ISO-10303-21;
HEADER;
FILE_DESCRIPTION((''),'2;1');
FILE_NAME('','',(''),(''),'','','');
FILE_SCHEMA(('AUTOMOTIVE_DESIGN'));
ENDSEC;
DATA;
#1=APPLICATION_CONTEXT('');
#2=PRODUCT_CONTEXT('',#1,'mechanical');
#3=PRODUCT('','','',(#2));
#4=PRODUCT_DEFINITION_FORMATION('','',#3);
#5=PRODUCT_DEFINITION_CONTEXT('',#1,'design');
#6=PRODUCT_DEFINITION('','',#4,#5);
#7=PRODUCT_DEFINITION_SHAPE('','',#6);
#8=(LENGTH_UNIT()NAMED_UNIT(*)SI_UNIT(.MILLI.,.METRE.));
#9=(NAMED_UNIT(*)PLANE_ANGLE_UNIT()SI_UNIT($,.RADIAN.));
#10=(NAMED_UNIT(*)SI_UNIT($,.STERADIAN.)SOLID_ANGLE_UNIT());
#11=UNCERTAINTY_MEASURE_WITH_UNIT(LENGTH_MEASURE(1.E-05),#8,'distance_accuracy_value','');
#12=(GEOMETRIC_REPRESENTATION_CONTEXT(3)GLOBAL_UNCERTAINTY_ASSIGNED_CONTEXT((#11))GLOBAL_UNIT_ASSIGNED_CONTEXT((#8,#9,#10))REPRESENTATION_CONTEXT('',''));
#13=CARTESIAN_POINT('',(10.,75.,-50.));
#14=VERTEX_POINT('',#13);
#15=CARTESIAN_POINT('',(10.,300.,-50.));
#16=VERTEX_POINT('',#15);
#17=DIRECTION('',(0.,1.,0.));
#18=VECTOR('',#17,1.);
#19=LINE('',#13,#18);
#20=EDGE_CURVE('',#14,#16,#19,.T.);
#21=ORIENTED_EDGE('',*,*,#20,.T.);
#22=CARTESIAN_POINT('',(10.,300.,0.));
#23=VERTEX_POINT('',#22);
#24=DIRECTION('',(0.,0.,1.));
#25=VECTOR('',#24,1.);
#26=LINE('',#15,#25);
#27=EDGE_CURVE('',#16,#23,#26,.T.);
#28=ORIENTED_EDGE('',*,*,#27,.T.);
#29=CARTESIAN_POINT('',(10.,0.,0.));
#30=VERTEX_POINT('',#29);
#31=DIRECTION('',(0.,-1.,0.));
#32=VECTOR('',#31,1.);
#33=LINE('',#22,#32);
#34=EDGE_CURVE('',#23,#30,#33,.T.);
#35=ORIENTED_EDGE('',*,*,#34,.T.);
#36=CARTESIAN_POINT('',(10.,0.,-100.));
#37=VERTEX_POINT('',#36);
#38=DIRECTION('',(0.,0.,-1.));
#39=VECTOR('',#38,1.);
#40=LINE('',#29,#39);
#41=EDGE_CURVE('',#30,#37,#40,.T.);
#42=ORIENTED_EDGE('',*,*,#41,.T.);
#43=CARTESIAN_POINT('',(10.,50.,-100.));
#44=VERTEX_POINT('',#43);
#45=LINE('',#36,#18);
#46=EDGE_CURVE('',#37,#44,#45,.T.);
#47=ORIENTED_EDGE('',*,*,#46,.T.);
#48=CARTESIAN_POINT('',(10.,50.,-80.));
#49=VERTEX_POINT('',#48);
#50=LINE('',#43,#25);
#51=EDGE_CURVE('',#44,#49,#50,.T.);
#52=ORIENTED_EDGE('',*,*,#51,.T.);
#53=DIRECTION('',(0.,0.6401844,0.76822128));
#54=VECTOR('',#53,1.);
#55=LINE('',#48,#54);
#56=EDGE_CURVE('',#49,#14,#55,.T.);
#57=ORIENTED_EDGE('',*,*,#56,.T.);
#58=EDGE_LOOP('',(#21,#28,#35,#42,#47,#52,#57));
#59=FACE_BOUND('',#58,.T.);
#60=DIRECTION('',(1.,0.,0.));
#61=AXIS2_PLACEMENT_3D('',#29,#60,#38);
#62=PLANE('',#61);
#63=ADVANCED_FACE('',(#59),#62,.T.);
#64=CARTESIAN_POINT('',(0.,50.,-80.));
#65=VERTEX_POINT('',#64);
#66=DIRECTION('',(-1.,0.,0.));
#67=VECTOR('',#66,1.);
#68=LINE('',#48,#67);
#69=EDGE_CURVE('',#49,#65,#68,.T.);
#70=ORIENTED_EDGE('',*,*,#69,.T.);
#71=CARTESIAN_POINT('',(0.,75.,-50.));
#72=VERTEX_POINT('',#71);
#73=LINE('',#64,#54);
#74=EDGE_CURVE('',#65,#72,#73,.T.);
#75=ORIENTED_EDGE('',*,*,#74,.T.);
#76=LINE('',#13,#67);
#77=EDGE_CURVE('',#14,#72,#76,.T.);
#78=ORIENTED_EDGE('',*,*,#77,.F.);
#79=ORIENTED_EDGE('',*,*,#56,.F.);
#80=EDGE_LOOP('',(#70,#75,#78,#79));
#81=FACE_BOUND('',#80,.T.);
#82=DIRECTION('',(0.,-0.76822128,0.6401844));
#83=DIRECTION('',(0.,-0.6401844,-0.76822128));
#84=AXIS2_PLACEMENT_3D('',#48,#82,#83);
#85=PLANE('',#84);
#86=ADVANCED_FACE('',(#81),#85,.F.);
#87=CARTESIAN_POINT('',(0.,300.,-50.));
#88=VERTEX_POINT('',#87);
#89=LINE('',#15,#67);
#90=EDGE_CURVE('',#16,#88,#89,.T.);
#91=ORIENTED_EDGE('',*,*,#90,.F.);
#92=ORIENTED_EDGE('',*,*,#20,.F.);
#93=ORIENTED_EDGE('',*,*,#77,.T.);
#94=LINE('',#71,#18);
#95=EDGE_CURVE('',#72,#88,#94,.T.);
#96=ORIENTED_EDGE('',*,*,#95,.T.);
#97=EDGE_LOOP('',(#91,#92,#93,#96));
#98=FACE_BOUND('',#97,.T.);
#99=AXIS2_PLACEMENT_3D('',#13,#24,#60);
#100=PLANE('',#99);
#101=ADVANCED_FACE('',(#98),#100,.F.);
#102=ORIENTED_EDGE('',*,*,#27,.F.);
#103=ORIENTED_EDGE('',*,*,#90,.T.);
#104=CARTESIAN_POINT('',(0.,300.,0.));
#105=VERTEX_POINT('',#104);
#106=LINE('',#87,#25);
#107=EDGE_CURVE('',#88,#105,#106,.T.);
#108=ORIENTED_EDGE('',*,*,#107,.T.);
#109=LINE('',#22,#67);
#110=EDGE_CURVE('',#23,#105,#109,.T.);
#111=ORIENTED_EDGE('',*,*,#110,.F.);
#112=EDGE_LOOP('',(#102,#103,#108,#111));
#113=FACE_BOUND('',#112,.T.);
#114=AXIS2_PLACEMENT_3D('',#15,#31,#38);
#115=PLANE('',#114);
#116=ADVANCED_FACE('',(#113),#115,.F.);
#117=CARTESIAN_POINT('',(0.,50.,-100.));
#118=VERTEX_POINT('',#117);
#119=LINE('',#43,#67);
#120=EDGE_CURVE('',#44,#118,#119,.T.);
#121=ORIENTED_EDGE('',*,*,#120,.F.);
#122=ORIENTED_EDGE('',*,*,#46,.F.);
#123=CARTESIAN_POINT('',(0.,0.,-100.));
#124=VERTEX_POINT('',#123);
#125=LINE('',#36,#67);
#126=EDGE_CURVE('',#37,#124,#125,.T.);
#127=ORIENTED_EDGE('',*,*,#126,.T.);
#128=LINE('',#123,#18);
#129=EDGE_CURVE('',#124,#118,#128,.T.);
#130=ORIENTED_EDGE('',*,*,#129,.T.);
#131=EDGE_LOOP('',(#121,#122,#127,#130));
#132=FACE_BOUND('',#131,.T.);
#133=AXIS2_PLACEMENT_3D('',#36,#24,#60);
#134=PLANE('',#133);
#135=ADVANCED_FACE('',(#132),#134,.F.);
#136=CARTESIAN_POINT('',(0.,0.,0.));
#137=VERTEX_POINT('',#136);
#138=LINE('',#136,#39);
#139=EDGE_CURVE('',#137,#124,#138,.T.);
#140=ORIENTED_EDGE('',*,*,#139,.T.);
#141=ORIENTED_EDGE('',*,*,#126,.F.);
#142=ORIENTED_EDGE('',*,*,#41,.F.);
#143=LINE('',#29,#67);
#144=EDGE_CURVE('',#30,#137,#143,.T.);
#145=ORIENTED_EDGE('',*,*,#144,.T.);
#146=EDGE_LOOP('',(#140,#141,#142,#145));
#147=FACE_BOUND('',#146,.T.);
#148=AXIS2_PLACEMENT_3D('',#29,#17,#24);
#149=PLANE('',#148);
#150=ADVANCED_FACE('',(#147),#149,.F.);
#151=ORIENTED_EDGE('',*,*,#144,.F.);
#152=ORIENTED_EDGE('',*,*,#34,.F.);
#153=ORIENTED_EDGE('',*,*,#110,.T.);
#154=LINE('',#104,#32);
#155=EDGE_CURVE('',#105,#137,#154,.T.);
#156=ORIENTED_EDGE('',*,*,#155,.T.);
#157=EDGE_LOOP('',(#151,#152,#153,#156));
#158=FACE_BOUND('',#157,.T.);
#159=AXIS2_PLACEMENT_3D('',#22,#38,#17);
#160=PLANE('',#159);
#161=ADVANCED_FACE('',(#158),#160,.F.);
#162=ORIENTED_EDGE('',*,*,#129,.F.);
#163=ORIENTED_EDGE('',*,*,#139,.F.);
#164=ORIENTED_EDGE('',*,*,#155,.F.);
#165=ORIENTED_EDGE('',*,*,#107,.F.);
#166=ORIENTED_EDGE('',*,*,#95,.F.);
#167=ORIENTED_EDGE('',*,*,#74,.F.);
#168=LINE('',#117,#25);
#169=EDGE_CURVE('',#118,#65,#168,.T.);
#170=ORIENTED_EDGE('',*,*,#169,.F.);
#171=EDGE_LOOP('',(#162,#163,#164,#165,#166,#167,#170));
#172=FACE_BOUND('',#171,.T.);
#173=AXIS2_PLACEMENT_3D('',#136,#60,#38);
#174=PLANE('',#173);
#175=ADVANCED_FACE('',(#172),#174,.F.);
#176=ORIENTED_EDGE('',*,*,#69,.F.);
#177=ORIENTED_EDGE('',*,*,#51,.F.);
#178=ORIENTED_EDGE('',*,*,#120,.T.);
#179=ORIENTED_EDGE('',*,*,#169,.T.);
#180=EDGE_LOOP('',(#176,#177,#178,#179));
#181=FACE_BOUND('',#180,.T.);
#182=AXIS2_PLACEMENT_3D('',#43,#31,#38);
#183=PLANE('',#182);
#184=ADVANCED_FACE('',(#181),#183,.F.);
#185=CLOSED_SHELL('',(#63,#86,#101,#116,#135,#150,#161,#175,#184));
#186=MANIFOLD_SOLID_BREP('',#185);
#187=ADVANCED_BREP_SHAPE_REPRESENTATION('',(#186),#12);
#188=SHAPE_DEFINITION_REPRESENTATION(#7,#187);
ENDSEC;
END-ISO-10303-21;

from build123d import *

# Parameters (mm, degrees)
EXTRUDE_407_DEPTH = 10


with BuildPart() as part:
    # Эскиз1 → Extrude 407 (new body)
    with BuildSketch(Plane(origin=(0, 0, 0), x_dir=(0, 0, -1), z_dir=(1, 0, 0))):
        Polygon((0, 0), (100, 0), (100, 50), (80, 50), (50, 75), (50, 300), (0, 300), align=None)
    extrude(amount=EXTRUDE_407_DEPTH)


solid = part.part
